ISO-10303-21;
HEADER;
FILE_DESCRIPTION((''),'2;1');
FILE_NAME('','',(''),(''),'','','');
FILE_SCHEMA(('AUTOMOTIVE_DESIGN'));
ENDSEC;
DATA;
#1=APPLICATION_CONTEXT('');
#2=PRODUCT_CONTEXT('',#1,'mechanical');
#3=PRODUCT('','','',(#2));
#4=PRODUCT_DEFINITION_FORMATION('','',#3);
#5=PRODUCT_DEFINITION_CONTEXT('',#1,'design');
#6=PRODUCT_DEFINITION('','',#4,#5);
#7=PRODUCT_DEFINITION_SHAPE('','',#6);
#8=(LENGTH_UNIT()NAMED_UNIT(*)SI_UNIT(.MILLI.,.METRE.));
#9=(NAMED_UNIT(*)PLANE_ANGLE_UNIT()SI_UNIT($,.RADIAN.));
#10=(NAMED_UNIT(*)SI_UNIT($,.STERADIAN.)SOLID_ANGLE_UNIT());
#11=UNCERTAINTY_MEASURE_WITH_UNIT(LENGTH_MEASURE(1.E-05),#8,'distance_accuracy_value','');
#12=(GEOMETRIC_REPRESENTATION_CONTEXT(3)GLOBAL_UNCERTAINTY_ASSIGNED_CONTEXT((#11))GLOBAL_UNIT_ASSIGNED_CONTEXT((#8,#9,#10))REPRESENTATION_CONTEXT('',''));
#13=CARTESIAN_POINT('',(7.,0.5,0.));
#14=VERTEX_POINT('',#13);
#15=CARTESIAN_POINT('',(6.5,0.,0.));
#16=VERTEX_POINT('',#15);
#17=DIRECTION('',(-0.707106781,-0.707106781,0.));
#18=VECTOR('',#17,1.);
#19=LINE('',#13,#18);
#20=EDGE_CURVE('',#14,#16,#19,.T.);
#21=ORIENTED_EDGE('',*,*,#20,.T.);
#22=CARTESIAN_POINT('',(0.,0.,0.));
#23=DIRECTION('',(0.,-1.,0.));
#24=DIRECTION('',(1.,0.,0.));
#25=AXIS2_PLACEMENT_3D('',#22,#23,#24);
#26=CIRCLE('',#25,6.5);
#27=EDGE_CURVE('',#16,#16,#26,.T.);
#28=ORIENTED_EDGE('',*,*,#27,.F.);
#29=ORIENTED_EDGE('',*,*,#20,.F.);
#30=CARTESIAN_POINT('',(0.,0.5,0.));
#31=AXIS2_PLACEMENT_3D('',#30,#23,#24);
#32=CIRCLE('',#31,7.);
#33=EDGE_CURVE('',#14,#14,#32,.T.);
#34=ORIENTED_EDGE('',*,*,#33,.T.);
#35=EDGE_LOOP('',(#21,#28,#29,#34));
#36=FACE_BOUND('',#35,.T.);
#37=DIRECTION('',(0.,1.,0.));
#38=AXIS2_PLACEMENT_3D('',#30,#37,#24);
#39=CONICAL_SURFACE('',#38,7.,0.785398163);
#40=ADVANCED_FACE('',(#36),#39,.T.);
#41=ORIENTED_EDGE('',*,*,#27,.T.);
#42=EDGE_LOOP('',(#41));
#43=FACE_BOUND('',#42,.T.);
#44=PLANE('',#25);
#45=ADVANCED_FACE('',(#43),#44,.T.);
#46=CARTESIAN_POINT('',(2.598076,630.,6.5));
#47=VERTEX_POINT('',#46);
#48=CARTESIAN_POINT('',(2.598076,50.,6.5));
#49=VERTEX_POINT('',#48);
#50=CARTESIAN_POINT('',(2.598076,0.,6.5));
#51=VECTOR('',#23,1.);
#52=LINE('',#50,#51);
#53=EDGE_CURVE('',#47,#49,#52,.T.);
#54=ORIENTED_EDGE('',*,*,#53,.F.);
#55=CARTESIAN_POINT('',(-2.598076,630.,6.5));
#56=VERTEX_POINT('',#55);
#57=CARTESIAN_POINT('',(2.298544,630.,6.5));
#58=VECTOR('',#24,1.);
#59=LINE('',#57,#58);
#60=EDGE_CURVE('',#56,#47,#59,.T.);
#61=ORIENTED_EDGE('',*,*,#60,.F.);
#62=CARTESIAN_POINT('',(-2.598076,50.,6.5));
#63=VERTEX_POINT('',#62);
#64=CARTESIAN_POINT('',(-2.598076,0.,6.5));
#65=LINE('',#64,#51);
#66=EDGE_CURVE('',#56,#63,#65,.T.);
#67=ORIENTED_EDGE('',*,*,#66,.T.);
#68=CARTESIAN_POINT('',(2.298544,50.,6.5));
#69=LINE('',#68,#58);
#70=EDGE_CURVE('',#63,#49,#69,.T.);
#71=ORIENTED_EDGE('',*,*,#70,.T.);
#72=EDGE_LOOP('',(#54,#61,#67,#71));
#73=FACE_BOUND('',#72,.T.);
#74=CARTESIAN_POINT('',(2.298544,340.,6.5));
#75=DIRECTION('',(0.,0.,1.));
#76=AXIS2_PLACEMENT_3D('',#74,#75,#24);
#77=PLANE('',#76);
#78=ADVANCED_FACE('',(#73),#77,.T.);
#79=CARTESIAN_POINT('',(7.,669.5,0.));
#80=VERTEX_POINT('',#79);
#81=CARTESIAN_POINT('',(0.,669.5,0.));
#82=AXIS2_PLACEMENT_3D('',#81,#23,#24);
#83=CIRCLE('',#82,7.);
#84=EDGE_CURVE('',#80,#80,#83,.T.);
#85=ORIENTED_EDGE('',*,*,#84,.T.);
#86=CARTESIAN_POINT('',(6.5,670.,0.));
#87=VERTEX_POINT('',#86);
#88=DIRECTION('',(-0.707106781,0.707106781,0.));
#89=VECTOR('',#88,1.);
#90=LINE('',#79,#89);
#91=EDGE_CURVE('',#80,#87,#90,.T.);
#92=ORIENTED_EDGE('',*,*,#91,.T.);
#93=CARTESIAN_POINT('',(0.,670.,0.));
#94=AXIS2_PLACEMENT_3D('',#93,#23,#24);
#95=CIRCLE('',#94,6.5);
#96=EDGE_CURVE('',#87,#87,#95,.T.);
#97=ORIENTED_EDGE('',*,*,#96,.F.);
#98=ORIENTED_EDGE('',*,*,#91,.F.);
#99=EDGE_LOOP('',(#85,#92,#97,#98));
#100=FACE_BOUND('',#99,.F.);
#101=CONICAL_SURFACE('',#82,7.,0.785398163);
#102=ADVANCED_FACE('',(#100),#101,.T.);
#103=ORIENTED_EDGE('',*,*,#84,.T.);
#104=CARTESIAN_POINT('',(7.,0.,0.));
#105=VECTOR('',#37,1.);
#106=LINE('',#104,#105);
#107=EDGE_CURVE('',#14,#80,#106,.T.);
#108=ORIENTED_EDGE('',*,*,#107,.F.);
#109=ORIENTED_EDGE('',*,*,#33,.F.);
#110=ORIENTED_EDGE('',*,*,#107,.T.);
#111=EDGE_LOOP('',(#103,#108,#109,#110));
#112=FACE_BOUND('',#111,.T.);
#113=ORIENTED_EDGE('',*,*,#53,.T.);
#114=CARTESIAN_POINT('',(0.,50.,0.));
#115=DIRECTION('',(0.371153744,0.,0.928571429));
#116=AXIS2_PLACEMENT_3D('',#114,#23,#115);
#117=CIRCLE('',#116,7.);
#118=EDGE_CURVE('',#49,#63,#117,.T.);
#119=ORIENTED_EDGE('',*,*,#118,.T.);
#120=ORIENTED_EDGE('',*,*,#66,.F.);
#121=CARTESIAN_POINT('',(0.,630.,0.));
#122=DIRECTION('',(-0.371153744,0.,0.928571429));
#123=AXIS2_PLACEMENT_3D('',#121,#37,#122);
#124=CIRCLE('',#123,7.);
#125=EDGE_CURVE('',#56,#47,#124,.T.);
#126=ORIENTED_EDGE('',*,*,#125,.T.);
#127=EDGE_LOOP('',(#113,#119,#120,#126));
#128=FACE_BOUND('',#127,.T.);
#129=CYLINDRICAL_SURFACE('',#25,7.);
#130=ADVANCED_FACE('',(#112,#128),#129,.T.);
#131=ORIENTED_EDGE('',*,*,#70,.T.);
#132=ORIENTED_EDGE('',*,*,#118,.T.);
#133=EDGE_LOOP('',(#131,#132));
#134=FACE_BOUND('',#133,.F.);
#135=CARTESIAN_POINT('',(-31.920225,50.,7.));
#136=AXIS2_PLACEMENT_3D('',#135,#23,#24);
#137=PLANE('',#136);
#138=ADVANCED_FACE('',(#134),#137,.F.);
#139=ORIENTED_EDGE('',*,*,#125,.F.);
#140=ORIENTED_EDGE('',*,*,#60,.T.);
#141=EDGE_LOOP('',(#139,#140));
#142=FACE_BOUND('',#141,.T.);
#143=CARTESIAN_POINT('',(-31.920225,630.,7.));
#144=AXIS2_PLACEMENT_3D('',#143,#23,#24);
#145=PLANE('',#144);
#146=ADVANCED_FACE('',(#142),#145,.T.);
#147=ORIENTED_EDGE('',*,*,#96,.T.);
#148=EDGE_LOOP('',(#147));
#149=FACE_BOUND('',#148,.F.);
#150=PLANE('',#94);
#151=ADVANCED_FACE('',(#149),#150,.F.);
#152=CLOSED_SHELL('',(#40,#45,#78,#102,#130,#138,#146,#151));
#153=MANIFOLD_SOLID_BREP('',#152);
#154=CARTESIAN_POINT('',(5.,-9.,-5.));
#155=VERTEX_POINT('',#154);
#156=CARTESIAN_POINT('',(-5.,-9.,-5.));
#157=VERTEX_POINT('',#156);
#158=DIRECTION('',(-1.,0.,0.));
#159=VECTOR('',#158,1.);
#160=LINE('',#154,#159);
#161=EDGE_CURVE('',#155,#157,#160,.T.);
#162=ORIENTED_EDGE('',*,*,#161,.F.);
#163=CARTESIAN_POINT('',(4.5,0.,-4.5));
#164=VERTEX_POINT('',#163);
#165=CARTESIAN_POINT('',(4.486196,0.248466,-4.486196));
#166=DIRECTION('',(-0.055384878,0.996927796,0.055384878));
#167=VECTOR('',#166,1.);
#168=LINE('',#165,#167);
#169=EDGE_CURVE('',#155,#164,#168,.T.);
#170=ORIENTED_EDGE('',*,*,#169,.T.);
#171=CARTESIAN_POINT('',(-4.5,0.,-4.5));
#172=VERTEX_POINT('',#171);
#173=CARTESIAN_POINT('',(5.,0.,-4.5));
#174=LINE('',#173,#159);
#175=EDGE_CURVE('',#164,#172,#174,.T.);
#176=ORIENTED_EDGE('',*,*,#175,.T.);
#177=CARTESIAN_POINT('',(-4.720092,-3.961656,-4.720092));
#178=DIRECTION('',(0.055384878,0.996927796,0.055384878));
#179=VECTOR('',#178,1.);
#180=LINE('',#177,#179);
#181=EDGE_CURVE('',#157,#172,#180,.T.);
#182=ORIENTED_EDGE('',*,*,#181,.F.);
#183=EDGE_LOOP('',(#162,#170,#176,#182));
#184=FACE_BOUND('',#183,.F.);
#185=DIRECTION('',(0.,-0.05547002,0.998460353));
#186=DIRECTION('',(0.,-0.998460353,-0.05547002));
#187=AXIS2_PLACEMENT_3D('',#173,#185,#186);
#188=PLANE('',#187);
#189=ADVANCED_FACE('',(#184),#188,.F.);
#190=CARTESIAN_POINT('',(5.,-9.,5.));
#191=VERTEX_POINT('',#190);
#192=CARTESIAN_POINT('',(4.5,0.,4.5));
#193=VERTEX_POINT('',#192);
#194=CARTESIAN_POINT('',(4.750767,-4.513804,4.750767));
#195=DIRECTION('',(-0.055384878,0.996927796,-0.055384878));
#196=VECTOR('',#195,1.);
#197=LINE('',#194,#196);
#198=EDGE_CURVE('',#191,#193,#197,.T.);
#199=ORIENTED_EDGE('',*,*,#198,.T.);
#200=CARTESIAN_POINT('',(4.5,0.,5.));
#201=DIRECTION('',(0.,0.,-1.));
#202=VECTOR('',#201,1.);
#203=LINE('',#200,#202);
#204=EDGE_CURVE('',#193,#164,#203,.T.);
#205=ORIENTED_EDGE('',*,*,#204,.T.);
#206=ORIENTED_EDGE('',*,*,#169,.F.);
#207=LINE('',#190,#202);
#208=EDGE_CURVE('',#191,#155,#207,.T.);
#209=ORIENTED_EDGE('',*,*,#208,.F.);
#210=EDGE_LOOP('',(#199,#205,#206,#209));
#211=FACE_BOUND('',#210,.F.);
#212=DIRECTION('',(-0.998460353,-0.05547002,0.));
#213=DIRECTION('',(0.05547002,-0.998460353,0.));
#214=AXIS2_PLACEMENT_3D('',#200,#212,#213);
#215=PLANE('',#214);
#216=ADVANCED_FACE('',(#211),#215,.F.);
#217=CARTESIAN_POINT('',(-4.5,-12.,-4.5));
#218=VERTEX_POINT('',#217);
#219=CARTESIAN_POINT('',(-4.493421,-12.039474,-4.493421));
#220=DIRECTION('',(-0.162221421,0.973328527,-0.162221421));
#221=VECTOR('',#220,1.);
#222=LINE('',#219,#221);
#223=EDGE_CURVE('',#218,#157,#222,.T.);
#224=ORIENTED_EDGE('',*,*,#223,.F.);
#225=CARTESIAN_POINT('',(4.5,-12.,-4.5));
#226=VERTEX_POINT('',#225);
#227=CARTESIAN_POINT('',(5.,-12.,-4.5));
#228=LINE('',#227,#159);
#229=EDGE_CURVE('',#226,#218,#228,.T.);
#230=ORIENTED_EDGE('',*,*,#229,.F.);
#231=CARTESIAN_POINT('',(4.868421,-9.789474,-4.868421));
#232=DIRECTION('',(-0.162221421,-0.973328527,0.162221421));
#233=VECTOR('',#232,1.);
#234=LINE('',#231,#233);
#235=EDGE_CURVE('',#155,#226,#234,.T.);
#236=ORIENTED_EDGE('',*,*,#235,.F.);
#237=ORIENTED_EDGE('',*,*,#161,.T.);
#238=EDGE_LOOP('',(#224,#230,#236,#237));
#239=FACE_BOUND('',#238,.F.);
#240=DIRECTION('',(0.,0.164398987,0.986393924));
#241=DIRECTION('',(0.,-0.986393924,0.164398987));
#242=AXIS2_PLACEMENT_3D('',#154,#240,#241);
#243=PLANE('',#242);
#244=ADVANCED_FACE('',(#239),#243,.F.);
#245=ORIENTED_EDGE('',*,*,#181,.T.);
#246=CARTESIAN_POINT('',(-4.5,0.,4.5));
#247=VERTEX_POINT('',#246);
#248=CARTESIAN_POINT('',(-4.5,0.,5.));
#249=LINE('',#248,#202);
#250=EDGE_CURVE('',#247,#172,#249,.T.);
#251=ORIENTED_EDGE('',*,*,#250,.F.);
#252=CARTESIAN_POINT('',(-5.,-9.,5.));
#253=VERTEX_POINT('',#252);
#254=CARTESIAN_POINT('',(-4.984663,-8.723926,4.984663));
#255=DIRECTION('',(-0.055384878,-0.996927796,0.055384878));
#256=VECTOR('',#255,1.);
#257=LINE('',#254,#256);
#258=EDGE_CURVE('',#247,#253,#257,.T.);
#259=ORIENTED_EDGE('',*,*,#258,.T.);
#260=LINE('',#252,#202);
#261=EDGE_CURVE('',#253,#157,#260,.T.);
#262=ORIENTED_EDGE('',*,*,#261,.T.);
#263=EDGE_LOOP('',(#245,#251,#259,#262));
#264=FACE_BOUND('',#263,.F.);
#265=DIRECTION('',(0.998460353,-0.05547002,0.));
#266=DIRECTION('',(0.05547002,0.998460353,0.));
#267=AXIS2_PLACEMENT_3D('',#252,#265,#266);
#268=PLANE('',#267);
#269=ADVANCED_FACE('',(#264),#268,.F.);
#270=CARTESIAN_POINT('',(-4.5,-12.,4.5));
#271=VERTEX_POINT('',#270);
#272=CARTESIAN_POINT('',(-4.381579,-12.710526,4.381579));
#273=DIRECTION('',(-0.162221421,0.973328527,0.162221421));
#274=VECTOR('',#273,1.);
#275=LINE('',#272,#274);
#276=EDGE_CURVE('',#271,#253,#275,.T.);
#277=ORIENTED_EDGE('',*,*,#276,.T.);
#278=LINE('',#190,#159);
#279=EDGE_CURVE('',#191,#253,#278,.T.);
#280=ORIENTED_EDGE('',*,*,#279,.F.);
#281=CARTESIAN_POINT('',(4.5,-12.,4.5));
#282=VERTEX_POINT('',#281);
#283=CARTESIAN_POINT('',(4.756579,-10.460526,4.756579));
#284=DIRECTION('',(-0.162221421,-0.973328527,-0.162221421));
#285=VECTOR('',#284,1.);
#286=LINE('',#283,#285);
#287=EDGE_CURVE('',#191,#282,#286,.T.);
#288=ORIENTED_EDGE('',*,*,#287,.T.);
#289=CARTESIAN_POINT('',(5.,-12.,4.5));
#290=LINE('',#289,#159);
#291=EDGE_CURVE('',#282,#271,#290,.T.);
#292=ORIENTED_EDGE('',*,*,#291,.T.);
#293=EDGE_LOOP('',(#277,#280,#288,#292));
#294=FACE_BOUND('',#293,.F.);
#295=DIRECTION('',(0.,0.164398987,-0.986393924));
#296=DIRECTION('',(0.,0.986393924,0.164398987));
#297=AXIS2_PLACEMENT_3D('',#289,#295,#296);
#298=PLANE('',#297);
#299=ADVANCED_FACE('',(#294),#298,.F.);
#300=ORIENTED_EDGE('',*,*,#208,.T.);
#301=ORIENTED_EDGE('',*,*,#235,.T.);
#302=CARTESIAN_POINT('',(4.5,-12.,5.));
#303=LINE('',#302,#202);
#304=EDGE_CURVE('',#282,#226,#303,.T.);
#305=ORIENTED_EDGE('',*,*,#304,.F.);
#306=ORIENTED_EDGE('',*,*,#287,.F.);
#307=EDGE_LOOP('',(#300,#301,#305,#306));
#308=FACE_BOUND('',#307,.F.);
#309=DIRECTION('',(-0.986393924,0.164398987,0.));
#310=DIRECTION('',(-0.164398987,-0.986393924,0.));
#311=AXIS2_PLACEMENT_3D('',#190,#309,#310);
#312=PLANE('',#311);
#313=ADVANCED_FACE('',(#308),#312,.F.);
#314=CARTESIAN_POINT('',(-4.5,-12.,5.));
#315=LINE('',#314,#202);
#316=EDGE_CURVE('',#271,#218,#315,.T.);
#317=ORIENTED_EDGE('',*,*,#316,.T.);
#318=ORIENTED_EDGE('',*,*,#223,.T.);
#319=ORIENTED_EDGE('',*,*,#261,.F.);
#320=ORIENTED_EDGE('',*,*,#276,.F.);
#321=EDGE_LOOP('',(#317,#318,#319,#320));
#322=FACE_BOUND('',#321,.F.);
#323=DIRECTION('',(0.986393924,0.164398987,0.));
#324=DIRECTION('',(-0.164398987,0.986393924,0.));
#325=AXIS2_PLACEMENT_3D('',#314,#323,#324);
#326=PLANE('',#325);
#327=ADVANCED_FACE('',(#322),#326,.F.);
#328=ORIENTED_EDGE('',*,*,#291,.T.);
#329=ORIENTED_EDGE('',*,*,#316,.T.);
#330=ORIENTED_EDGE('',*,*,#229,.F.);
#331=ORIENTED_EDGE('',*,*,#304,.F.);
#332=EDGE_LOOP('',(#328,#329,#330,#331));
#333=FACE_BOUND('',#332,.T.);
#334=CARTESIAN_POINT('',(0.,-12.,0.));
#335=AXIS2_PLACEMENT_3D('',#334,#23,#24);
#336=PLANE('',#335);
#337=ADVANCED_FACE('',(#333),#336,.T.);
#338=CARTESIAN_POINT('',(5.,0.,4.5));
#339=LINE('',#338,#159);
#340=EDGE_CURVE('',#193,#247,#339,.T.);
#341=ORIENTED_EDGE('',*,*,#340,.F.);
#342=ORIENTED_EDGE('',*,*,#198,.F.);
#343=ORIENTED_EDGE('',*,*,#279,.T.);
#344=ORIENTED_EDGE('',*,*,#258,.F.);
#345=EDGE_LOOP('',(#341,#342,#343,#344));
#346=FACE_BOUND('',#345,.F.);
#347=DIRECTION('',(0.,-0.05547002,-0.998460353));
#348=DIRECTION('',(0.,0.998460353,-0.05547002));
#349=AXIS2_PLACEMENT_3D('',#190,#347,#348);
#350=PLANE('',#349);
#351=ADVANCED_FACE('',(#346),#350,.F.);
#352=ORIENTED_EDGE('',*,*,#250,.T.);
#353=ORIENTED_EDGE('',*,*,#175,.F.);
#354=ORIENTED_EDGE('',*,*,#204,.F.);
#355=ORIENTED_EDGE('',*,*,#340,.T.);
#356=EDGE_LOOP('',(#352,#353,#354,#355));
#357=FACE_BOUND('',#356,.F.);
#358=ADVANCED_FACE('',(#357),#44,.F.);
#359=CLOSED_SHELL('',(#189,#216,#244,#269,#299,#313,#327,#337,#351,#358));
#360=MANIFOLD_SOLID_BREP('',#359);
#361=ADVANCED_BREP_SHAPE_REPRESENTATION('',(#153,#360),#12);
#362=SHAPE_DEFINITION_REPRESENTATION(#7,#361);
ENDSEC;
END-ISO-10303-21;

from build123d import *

# Parameters (mm, degrees)
F0_R      = 7
F1_DEPTH  = 670
F3_DEPTH  = 12
F5_DEPTH  = 25
F7_DEPTH  = 25
F8_DEPTH  = 25
F9_DEPTH  = 25
F12_DEPTH = 25
F13_DEPTH = 25
F14_DEPTH = 25
F15_DEPTH = 25
F16_SIZE  = 0.5
F18_W     = 68.437538
F18_H     = 580
F19_DEPTH = 0.5
F20_SIZE  = 0.5


with BuildPart() as f1:
    # F0 (on Front) → F1 (new body)
    with BuildSketch(Plane.XZ):
        Circle(F0_R)
    extrude(amount=-F1_DEPTH)

    # F16
    f16_edges = [f1.edges().sort_by_distance(p)[0] for p in [
        (-7, 0, 0),
    ]]
    chamfer(f16_edges, length=F16_SIZE)

    # F18 (on offset) → F19 (cut)
    with BuildSketch(Plane.XY.offset(7)):
        with Locations((2.298544, 340)):
            Rectangle(F18_W, F18_H)
    extrude(amount=-F19_DEPTH, mode=Mode.SUBTRACT)

    # F20
    f20_edges = [f1.edges().sort_by_distance(p)[0] for p in [
        (-7, 670, 0),
    ]]
    chamfer(f20_edges, length=F20_SIZE)


with BuildPart() as f3:
    # F2 (on Front) → F3 (new body)
    with BuildSketch(Plane.XZ):
        Polygon((5, 5), (-5, 5), (-5, 4.915034), (-5, -5), (5, -5), (5, 4.915034), align=None)
    extrude(amount=F3_DEPTH)

    # F4 (on face) → F5 (cut)
    with BuildSketch(Plane.YZ.offset(5)):
        Polygon((-9, -5), (-12, -4.5), (-12, -5), align=None)
    extrude(amount=-F5_DEPTH, mode=Mode.SUBTRACT)

    # F6 (on face) → F7 (cut)
    with BuildSketch(Plane.XY.offset(5)):
        Polygon((5, -9), (4.5, -12), (5, -12), align=None)
    extrude(amount=-F7_DEPTH, mode=Mode.SUBTRACT)

    # F6 (on face) → F8 (cut)
    with BuildSketch(Plane.XY.offset(5)):
        Polygon((-5, -12), (-4.5, -12), (-5, -9), align=None)
    extrude(amount=-F8_DEPTH, mode=Mode.SUBTRACT)

    # F4 (on face) → F9 (cut)
    with BuildSketch(Plane.YZ.offset(5)):
        Polygon((-12, 5), (-12, 4.5), (-9, 5), align=None)
    extrude(amount=-F9_DEPTH, mode=Mode.SUBTRACT)

    # F10 (on face) → F12 (cut)
    with BuildSketch(Plane.YZ.offset(5)):
        Polygon((0, 5), (-9, 5), (0, 4.5), align=None)
    extrude(amount=-F12_DEPTH, mode=Mode.SUBTRACT)

    # F11 (on face) → F13 (cut)
    with BuildSketch(Plane.XY.offset(5)):
        Polygon((4.5, 0), (5, -9), (5, 0), align=None)
    extrude(amount=-F13_DEPTH, mode=Mode.SUBTRACT)

    # F10 (on face) → F14 (cut)
    with BuildSketch(Plane.YZ.offset(5)):
        Polygon((0, -4.5), (-9, -5), (0, -5), align=None)
    extrude(amount=-F14_DEPTH, mode=Mode.SUBTRACT)

    # F11 (on face) → F15 (cut)
    with BuildSketch(Plane.XY.offset(5)):
        Polygon((-5, 0), (-5, -9), (-4.5, 0), align=None)
    extrude(amount=-F15_DEPTH, mode=Mode.SUBTRACT)


solid = Compound([f1.part, f3.part])
